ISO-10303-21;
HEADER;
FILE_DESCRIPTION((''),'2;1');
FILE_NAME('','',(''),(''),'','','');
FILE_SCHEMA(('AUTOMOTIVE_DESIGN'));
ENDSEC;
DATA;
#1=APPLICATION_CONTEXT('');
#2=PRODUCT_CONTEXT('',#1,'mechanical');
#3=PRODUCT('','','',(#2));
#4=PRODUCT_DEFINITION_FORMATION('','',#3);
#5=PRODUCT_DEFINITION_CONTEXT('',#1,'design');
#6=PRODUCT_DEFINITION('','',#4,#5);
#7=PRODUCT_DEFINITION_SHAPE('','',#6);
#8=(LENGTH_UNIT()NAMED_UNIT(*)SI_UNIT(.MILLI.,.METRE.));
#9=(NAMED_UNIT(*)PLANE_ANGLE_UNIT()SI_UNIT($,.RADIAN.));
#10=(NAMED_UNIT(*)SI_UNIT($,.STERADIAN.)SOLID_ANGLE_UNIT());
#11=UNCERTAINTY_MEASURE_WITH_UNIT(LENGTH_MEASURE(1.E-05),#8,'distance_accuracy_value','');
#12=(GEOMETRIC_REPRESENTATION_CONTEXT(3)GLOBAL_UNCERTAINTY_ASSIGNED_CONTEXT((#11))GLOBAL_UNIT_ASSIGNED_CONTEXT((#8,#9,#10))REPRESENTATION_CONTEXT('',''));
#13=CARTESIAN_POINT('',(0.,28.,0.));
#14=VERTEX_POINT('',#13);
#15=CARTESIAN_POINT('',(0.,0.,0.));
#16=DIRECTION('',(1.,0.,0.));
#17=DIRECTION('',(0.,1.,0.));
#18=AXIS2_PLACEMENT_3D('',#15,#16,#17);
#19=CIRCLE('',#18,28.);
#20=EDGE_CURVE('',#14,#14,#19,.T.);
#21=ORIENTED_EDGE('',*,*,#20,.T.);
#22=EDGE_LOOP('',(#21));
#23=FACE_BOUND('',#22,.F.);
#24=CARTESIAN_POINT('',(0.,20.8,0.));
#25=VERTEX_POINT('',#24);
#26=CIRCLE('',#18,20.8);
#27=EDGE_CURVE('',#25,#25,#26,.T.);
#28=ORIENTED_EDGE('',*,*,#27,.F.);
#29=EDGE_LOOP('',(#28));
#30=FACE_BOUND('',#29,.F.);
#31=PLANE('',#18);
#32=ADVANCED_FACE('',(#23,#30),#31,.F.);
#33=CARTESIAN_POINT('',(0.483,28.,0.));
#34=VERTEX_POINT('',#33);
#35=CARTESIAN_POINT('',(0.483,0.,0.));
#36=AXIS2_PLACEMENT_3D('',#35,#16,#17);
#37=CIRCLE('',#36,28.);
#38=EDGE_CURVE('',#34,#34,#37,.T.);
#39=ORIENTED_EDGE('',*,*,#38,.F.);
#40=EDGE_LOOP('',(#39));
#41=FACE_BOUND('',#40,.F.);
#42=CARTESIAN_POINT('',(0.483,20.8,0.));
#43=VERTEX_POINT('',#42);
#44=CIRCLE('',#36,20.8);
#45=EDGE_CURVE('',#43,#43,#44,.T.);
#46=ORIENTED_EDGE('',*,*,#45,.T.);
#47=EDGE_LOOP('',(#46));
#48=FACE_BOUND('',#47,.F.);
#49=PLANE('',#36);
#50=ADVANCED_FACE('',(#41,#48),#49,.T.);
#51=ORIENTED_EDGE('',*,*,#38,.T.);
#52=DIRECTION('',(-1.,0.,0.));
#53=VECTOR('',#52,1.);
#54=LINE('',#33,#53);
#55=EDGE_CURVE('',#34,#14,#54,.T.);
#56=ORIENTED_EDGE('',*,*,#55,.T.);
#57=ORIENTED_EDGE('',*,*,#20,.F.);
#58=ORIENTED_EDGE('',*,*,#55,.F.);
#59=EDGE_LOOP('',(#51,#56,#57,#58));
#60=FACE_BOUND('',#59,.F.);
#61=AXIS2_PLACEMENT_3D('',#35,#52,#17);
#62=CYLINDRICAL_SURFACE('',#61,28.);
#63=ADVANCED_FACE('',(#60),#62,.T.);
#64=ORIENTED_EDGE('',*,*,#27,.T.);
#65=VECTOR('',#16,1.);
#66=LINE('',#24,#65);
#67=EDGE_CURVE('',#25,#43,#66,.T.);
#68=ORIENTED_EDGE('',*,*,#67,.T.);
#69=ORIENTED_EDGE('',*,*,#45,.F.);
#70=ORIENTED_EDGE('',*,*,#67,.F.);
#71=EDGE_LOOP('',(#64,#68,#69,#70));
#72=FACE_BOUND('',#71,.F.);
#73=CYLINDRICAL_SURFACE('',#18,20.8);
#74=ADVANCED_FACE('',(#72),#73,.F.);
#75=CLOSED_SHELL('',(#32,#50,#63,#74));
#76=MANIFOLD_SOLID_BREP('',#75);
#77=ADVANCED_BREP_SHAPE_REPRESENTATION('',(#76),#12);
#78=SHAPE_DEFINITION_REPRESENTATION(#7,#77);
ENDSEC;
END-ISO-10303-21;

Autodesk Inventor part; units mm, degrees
sketch "Sketch_1" plane through (0, 0, 0) normal (0, 0, 1) x (1, 0, 0)
  line L0 (0.483, 0) -> (0, 0)
  line L1 (0, 20.8) -> (0.483, 20.8)
  line L2 (0.483, 20.8) -> (0.483, 28)
  line L3 (0.483, 28) -> (0, 28)
  line L4 (0, 28) -> (0, 20.8)
revolve "Revolution1" add sketch "Sketch_1" angle 360 about axis through (0.483, 0, 0) along (1, 0, 0)
ref_plane "ip_cst_5_s2_XY" through (0, 0, 0) normal (-1, 0, 0) x (0, 0, -1)
ref_plane "ip_cst_5_s2_YZ" through (0, 0, 0) normal (0, 0, -1) x (0, -1, 0)
ref_plane "ip_cst_5_s2_ZX" through (0, 0, 0) normal (0, -1, 0) x (-1, 0, 0)
properties part number "6007DDU Shield2"
